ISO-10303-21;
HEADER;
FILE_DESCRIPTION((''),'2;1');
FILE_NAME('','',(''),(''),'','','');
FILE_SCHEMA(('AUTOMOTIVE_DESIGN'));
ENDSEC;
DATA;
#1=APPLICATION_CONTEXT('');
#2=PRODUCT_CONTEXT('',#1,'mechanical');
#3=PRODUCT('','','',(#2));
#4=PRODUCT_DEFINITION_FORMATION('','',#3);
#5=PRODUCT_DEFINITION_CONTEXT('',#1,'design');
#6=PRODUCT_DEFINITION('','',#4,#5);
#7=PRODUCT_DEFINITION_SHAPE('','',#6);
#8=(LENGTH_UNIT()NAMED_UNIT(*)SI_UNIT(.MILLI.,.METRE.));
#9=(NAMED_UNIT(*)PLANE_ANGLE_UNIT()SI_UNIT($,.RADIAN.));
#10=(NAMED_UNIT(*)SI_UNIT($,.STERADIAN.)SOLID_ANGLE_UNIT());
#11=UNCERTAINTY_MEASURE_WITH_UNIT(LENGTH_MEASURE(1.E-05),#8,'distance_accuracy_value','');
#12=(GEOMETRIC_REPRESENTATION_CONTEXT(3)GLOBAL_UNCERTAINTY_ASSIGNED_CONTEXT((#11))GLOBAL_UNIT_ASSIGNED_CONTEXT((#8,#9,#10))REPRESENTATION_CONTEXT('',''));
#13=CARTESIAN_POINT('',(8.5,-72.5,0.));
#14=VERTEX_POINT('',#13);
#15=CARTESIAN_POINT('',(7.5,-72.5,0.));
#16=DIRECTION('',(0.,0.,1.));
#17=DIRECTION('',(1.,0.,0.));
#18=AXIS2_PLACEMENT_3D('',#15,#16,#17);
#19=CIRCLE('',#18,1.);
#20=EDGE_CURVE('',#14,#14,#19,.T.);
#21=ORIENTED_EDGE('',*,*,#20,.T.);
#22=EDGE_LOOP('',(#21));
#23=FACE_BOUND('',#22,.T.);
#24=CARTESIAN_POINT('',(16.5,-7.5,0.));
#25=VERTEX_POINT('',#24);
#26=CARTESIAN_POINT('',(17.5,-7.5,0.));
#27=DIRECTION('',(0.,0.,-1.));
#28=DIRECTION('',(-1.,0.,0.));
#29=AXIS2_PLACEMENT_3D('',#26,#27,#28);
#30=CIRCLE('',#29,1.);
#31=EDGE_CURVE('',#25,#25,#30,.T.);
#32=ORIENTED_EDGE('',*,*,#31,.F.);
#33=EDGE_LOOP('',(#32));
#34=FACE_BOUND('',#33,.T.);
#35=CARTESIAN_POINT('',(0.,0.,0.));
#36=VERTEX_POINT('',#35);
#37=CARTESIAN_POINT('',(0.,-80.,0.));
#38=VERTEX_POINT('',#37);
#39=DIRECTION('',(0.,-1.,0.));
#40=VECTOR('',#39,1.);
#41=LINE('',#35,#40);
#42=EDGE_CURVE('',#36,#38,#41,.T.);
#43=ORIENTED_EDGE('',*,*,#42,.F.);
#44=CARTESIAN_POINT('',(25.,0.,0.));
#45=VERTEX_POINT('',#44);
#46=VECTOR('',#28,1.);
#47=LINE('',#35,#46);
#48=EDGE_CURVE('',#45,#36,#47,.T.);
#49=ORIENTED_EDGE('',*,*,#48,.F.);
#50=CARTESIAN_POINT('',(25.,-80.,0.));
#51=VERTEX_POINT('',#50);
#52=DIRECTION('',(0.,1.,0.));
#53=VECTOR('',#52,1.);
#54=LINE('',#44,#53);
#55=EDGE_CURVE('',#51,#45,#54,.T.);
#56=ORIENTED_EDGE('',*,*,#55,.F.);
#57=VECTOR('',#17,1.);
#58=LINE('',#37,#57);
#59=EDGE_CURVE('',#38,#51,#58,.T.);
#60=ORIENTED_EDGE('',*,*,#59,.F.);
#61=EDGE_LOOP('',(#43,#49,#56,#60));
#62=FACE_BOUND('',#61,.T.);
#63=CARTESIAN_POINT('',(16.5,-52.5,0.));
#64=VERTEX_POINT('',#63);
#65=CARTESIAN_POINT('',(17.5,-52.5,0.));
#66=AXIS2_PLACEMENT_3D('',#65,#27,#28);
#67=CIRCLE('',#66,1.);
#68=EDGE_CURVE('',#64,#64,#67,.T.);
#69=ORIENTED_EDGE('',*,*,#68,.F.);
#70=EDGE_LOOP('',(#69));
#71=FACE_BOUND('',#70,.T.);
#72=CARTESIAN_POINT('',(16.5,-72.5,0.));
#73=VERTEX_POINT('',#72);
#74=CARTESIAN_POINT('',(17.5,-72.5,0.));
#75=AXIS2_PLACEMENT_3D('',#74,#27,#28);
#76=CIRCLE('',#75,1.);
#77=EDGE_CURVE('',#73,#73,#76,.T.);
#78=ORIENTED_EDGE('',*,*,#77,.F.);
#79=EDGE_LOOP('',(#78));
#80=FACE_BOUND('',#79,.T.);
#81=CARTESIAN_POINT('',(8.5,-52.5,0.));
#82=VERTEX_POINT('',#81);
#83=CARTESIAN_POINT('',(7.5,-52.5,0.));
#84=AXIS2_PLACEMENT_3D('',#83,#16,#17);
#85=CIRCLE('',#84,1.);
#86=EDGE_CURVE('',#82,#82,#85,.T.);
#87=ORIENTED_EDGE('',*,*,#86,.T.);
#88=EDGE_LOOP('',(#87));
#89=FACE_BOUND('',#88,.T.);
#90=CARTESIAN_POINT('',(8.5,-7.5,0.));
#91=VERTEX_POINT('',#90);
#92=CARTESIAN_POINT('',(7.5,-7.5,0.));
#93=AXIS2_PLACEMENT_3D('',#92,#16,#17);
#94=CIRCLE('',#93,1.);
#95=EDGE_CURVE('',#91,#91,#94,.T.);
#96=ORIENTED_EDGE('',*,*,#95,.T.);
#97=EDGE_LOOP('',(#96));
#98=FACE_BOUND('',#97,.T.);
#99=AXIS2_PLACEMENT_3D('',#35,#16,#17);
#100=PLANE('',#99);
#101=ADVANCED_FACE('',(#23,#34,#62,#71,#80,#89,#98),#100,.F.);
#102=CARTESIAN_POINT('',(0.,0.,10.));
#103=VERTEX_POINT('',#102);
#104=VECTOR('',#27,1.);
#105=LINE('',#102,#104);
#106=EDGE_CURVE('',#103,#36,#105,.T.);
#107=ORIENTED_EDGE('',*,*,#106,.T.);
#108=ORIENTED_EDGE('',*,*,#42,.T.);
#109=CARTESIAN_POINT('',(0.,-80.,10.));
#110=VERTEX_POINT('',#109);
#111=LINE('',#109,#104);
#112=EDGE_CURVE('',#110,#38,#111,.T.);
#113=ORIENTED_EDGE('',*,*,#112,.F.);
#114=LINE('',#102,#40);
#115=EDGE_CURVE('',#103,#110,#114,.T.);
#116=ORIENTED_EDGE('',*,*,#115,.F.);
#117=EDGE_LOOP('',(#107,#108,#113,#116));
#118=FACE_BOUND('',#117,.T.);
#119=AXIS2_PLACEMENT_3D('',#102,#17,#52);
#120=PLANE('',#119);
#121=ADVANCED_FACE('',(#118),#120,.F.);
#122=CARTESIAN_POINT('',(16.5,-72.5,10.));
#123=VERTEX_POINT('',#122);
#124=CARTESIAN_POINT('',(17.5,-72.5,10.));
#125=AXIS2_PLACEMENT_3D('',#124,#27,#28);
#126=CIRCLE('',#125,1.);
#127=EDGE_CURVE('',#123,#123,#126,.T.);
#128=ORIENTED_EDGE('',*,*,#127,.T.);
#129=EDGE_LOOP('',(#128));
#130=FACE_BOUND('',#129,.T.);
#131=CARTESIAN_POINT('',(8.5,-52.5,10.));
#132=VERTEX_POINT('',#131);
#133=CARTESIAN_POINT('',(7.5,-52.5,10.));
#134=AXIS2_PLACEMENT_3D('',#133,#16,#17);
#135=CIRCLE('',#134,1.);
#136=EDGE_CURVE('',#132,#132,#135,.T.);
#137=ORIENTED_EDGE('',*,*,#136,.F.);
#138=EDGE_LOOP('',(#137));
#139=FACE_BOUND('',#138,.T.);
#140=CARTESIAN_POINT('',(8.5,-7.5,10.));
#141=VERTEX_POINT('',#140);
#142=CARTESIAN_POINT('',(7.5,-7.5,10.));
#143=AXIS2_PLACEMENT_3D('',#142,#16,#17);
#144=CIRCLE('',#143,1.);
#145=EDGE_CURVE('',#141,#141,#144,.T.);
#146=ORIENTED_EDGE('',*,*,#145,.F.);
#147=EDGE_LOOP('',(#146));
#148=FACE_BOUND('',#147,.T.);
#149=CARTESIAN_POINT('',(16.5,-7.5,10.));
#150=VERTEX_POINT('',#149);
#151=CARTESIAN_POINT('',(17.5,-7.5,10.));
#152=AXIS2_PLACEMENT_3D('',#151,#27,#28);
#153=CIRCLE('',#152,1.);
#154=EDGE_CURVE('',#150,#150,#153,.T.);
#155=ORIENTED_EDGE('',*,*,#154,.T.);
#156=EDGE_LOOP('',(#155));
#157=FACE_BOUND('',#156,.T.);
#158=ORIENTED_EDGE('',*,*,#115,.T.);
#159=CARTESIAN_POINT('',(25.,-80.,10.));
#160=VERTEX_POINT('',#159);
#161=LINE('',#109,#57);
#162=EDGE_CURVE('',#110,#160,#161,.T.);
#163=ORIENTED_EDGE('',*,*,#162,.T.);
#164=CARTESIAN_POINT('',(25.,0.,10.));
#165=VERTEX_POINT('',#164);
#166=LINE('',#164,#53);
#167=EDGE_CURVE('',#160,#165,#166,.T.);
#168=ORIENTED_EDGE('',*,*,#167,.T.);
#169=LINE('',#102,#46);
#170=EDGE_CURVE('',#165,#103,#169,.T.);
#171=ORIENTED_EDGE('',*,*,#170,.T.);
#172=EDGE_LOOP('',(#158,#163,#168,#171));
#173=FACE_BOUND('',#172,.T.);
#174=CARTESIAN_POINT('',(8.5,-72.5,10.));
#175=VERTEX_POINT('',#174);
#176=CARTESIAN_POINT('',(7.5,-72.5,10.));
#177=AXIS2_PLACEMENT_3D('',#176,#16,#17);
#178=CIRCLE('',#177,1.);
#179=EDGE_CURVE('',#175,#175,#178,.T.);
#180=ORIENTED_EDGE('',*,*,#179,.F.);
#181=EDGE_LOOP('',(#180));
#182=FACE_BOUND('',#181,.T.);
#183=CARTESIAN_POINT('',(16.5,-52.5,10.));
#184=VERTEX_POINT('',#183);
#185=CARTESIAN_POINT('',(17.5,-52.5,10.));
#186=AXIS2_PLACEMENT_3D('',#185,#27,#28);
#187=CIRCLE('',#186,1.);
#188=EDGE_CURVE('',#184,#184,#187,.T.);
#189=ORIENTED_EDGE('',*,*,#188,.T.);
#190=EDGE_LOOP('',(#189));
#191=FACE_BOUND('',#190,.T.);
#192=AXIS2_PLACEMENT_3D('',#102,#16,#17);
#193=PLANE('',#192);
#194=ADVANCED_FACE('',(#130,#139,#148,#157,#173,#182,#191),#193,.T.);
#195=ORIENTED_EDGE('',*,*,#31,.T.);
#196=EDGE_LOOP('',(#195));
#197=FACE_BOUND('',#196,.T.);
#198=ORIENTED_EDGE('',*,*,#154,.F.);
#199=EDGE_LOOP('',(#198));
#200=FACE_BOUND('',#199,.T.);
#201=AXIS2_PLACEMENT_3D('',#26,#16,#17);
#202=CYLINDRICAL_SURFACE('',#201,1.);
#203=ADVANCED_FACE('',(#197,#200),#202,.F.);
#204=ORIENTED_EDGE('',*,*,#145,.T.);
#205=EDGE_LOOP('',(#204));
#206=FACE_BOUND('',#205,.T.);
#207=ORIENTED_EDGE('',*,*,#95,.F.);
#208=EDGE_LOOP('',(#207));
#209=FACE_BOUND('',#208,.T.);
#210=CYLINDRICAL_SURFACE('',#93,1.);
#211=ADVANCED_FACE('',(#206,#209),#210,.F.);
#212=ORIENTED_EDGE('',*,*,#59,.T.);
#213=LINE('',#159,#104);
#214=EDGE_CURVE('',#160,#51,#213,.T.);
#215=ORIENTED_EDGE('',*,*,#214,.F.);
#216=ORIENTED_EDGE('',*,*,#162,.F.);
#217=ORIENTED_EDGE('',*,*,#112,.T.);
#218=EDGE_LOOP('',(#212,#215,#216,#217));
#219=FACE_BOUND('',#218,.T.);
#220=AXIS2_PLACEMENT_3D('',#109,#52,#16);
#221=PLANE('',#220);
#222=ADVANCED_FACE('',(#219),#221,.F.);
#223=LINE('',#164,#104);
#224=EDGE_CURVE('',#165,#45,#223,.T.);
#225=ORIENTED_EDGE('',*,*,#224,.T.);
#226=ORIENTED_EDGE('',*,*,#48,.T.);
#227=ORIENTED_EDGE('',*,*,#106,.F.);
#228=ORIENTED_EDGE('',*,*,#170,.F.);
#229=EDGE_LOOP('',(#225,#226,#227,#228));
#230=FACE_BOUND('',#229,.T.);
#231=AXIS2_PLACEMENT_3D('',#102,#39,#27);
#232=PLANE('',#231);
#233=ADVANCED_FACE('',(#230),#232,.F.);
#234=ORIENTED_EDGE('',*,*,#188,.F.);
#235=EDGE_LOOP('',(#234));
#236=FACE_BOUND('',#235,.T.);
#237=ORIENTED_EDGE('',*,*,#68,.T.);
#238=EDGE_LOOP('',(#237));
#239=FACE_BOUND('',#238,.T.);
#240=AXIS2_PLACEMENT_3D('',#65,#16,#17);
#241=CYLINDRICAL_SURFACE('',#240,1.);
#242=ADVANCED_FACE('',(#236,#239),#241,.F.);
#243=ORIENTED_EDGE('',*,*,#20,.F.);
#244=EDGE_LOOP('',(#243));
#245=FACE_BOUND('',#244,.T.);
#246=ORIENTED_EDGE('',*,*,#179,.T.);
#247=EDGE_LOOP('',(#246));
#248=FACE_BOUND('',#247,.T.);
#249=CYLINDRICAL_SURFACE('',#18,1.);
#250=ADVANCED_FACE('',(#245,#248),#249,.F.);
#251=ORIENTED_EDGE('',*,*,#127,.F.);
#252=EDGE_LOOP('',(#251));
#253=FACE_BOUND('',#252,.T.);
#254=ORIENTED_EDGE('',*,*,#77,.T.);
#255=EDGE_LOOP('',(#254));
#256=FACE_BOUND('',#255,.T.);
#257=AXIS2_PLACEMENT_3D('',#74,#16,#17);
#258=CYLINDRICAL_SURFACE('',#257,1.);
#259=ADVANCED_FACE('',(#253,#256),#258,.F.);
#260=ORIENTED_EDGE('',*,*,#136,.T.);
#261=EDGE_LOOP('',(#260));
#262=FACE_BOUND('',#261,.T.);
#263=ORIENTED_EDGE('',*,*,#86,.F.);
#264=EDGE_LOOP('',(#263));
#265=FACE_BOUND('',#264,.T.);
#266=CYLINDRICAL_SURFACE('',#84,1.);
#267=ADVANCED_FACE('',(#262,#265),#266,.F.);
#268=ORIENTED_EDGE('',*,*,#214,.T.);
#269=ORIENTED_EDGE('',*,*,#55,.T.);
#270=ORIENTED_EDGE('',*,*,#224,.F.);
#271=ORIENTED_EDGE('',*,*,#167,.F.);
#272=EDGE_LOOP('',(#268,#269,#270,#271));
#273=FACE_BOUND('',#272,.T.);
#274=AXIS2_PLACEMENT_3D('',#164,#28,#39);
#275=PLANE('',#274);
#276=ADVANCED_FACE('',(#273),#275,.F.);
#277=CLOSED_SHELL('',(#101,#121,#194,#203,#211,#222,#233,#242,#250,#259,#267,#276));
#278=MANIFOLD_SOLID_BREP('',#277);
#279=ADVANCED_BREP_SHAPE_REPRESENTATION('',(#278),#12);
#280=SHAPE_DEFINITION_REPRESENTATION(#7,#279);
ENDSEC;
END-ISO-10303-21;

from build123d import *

# Parameters (mm, degrees)
SKETCH1_W           = 25
SKETCH1_H           = 80
BOSS_EXTRUDE1_DEPTH = 10
SKETCH2_R           = 1
CUT_EXTRUDE1_DEPTH  = 85.409715081


with BuildPart() as part:
    # Sketch1 → Boss-Extrude1 (new body)
    with BuildSketch(Plane.XY):
        with Locations((12.5, -40)):
            Rectangle(SKETCH1_W, SKETCH1_H)
    extrude(amount=BOSS_EXTRUDE1_DEPTH)

    # Sketch2 → Cut-Extrude1 (cut, through all)
    with BuildSketch(Plane.XY.offset(10)):
        with Locations((7.5, -52.5)):
            Circle(SKETCH2_R)
        with Locations((7.5, -72.5)):
            Circle(SKETCH2_R)
        with Locations((7.5, -7.5)):
            Circle(SKETCH2_R)
        with Locations(Location((17.5, -7.5, 0), (0, 0, 180))):
            Circle(SKETCH2_R)
        with Locations(Location((17.5, -52.5, 0), (0, 0, 180))):
            Circle(SKETCH2_R)
        with Locations(Location((17.5, -72.5, 0), (0, 0, 180))):
            Circle(SKETCH2_R)
    extrude(amount=-CUT_EXTRUDE1_DEPTH, mode=Mode.SUBTRACT)


solid = part.part
